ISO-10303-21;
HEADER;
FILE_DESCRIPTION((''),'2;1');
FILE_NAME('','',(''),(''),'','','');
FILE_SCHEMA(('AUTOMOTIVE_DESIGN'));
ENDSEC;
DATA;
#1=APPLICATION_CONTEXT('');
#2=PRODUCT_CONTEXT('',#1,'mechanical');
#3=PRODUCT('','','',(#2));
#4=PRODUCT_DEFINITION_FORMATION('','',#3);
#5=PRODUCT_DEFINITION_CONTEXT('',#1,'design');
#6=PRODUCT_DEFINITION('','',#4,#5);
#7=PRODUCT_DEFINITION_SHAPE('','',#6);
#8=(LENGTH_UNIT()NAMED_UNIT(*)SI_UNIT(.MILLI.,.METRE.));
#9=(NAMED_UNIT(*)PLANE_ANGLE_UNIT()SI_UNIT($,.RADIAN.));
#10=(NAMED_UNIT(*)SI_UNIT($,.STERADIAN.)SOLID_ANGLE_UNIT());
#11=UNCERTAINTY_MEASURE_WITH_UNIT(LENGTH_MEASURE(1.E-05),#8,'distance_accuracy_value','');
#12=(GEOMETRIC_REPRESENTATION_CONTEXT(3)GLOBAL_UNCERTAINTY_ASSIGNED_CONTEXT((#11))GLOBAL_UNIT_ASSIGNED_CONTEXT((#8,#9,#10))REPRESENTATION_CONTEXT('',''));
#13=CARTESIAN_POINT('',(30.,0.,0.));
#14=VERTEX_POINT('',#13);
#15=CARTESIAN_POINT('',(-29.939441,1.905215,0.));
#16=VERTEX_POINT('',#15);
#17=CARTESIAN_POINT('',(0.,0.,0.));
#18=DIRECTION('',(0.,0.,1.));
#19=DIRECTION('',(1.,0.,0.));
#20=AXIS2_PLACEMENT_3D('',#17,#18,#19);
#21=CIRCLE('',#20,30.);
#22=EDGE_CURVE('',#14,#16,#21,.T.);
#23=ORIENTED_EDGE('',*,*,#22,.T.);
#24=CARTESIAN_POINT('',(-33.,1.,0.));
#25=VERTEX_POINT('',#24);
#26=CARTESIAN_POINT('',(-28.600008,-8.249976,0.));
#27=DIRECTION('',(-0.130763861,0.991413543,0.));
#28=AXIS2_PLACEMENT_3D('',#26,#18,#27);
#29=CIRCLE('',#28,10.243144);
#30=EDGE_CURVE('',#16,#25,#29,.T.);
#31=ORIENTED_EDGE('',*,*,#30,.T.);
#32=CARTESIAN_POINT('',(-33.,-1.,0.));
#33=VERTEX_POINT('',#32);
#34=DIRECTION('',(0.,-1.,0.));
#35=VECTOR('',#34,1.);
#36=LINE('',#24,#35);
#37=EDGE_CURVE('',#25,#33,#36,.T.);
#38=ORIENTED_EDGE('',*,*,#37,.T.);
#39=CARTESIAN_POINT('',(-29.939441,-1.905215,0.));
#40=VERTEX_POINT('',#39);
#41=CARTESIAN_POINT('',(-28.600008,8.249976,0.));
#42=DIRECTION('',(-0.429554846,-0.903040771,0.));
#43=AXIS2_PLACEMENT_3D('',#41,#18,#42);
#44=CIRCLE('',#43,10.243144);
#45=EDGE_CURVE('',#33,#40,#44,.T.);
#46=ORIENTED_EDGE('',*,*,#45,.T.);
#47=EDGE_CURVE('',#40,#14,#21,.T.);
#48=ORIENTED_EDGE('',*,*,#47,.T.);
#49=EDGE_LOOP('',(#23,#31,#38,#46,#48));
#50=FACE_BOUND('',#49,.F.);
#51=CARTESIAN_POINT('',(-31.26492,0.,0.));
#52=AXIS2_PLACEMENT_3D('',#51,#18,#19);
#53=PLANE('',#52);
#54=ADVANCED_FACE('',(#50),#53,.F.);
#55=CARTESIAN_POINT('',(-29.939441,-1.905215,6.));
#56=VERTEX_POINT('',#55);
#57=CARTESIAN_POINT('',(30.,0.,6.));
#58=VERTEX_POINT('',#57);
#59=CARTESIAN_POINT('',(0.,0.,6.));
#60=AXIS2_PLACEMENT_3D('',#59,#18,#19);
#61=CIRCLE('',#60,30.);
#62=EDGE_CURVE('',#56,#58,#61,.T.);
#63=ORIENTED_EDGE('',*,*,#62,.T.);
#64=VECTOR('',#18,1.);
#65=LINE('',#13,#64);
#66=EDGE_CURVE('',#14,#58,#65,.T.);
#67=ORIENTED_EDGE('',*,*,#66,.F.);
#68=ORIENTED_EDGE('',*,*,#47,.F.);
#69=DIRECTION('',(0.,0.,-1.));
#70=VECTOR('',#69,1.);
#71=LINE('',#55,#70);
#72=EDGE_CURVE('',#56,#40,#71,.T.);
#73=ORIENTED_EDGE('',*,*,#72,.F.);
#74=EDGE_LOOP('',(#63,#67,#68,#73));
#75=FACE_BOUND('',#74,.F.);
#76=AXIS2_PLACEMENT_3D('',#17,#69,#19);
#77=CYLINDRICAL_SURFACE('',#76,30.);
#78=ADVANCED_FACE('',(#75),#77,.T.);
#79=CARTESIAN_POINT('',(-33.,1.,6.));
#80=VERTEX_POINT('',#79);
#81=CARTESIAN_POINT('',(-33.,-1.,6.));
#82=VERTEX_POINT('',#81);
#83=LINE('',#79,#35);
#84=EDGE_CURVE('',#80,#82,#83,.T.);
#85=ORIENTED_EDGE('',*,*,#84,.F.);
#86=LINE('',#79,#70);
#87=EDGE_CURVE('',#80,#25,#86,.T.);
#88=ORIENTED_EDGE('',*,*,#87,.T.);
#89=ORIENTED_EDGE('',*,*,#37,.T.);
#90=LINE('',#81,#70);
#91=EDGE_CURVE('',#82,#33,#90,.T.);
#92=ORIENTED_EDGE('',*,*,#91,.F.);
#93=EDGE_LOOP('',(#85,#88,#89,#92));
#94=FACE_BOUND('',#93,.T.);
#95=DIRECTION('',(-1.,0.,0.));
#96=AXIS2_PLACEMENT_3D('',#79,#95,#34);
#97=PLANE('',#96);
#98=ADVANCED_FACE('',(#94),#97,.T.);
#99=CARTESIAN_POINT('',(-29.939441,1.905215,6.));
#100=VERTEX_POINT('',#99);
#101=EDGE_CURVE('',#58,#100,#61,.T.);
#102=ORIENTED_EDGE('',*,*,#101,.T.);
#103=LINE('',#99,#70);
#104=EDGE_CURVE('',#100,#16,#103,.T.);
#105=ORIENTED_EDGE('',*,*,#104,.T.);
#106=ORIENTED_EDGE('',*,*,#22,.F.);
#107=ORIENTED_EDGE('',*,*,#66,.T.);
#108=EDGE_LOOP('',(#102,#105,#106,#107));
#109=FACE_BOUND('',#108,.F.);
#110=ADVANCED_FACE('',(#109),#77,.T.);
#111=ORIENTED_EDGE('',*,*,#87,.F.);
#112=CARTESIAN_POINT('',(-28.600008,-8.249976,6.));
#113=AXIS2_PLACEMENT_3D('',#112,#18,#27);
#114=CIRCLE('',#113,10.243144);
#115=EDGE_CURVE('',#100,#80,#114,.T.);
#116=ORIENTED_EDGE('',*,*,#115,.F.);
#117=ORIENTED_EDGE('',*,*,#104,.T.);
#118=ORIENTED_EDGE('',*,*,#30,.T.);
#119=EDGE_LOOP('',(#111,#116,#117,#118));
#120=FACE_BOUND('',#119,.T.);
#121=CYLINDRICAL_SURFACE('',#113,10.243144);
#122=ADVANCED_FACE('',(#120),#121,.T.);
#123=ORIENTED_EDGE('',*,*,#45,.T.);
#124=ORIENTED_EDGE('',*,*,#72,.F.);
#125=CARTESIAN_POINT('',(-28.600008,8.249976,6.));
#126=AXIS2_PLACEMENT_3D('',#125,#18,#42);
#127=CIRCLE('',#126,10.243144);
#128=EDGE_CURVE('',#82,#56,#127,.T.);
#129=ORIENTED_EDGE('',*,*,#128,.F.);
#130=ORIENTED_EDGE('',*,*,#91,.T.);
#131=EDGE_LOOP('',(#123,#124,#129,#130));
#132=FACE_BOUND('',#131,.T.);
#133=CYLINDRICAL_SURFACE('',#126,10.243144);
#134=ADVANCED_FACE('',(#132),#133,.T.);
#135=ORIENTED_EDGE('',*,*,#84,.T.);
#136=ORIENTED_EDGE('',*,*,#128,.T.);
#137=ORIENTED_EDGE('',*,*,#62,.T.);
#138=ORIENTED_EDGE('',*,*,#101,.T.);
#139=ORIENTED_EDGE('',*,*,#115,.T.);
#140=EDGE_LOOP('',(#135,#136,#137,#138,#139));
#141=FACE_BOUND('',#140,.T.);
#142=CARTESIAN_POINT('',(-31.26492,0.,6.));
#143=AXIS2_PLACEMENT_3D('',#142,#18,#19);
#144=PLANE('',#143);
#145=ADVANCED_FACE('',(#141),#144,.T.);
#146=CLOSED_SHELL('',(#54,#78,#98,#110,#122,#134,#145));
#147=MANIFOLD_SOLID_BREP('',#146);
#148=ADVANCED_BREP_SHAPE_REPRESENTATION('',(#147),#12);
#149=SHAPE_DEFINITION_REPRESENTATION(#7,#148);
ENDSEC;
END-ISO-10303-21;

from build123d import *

# Parameters (mm, degrees)
F0_R     = 30
F1_DEPTH = 6
F3_DEPTH = 6


with BuildPart() as f1:
    # F0 (on Top) → F1 (new body)
    with BuildSketch(Plane.XY):
        Circle(F0_R)
    extrude(amount=F1_DEPTH)

    # F2 (on face) → F3 (join)
    with BuildSketch(Plane.XY.offset(6)):
        with BuildLine():
            Line((-33, 1), (-33, -1))
            ThreePointArc((-33, -1), (-31.505194, -1.572543), (-29.939441, -1.905215))
            ThreePointArc((-29.939441, -1.905215), (-30, 0), (-29.939441, 1.905215))
            ThreePointArc((-29.939441, 1.905215), (-31.505194, 1.572543), (-33, 1))
        make_face()
    extrude(amount=-F3_DEPTH)


solid = f1.part
